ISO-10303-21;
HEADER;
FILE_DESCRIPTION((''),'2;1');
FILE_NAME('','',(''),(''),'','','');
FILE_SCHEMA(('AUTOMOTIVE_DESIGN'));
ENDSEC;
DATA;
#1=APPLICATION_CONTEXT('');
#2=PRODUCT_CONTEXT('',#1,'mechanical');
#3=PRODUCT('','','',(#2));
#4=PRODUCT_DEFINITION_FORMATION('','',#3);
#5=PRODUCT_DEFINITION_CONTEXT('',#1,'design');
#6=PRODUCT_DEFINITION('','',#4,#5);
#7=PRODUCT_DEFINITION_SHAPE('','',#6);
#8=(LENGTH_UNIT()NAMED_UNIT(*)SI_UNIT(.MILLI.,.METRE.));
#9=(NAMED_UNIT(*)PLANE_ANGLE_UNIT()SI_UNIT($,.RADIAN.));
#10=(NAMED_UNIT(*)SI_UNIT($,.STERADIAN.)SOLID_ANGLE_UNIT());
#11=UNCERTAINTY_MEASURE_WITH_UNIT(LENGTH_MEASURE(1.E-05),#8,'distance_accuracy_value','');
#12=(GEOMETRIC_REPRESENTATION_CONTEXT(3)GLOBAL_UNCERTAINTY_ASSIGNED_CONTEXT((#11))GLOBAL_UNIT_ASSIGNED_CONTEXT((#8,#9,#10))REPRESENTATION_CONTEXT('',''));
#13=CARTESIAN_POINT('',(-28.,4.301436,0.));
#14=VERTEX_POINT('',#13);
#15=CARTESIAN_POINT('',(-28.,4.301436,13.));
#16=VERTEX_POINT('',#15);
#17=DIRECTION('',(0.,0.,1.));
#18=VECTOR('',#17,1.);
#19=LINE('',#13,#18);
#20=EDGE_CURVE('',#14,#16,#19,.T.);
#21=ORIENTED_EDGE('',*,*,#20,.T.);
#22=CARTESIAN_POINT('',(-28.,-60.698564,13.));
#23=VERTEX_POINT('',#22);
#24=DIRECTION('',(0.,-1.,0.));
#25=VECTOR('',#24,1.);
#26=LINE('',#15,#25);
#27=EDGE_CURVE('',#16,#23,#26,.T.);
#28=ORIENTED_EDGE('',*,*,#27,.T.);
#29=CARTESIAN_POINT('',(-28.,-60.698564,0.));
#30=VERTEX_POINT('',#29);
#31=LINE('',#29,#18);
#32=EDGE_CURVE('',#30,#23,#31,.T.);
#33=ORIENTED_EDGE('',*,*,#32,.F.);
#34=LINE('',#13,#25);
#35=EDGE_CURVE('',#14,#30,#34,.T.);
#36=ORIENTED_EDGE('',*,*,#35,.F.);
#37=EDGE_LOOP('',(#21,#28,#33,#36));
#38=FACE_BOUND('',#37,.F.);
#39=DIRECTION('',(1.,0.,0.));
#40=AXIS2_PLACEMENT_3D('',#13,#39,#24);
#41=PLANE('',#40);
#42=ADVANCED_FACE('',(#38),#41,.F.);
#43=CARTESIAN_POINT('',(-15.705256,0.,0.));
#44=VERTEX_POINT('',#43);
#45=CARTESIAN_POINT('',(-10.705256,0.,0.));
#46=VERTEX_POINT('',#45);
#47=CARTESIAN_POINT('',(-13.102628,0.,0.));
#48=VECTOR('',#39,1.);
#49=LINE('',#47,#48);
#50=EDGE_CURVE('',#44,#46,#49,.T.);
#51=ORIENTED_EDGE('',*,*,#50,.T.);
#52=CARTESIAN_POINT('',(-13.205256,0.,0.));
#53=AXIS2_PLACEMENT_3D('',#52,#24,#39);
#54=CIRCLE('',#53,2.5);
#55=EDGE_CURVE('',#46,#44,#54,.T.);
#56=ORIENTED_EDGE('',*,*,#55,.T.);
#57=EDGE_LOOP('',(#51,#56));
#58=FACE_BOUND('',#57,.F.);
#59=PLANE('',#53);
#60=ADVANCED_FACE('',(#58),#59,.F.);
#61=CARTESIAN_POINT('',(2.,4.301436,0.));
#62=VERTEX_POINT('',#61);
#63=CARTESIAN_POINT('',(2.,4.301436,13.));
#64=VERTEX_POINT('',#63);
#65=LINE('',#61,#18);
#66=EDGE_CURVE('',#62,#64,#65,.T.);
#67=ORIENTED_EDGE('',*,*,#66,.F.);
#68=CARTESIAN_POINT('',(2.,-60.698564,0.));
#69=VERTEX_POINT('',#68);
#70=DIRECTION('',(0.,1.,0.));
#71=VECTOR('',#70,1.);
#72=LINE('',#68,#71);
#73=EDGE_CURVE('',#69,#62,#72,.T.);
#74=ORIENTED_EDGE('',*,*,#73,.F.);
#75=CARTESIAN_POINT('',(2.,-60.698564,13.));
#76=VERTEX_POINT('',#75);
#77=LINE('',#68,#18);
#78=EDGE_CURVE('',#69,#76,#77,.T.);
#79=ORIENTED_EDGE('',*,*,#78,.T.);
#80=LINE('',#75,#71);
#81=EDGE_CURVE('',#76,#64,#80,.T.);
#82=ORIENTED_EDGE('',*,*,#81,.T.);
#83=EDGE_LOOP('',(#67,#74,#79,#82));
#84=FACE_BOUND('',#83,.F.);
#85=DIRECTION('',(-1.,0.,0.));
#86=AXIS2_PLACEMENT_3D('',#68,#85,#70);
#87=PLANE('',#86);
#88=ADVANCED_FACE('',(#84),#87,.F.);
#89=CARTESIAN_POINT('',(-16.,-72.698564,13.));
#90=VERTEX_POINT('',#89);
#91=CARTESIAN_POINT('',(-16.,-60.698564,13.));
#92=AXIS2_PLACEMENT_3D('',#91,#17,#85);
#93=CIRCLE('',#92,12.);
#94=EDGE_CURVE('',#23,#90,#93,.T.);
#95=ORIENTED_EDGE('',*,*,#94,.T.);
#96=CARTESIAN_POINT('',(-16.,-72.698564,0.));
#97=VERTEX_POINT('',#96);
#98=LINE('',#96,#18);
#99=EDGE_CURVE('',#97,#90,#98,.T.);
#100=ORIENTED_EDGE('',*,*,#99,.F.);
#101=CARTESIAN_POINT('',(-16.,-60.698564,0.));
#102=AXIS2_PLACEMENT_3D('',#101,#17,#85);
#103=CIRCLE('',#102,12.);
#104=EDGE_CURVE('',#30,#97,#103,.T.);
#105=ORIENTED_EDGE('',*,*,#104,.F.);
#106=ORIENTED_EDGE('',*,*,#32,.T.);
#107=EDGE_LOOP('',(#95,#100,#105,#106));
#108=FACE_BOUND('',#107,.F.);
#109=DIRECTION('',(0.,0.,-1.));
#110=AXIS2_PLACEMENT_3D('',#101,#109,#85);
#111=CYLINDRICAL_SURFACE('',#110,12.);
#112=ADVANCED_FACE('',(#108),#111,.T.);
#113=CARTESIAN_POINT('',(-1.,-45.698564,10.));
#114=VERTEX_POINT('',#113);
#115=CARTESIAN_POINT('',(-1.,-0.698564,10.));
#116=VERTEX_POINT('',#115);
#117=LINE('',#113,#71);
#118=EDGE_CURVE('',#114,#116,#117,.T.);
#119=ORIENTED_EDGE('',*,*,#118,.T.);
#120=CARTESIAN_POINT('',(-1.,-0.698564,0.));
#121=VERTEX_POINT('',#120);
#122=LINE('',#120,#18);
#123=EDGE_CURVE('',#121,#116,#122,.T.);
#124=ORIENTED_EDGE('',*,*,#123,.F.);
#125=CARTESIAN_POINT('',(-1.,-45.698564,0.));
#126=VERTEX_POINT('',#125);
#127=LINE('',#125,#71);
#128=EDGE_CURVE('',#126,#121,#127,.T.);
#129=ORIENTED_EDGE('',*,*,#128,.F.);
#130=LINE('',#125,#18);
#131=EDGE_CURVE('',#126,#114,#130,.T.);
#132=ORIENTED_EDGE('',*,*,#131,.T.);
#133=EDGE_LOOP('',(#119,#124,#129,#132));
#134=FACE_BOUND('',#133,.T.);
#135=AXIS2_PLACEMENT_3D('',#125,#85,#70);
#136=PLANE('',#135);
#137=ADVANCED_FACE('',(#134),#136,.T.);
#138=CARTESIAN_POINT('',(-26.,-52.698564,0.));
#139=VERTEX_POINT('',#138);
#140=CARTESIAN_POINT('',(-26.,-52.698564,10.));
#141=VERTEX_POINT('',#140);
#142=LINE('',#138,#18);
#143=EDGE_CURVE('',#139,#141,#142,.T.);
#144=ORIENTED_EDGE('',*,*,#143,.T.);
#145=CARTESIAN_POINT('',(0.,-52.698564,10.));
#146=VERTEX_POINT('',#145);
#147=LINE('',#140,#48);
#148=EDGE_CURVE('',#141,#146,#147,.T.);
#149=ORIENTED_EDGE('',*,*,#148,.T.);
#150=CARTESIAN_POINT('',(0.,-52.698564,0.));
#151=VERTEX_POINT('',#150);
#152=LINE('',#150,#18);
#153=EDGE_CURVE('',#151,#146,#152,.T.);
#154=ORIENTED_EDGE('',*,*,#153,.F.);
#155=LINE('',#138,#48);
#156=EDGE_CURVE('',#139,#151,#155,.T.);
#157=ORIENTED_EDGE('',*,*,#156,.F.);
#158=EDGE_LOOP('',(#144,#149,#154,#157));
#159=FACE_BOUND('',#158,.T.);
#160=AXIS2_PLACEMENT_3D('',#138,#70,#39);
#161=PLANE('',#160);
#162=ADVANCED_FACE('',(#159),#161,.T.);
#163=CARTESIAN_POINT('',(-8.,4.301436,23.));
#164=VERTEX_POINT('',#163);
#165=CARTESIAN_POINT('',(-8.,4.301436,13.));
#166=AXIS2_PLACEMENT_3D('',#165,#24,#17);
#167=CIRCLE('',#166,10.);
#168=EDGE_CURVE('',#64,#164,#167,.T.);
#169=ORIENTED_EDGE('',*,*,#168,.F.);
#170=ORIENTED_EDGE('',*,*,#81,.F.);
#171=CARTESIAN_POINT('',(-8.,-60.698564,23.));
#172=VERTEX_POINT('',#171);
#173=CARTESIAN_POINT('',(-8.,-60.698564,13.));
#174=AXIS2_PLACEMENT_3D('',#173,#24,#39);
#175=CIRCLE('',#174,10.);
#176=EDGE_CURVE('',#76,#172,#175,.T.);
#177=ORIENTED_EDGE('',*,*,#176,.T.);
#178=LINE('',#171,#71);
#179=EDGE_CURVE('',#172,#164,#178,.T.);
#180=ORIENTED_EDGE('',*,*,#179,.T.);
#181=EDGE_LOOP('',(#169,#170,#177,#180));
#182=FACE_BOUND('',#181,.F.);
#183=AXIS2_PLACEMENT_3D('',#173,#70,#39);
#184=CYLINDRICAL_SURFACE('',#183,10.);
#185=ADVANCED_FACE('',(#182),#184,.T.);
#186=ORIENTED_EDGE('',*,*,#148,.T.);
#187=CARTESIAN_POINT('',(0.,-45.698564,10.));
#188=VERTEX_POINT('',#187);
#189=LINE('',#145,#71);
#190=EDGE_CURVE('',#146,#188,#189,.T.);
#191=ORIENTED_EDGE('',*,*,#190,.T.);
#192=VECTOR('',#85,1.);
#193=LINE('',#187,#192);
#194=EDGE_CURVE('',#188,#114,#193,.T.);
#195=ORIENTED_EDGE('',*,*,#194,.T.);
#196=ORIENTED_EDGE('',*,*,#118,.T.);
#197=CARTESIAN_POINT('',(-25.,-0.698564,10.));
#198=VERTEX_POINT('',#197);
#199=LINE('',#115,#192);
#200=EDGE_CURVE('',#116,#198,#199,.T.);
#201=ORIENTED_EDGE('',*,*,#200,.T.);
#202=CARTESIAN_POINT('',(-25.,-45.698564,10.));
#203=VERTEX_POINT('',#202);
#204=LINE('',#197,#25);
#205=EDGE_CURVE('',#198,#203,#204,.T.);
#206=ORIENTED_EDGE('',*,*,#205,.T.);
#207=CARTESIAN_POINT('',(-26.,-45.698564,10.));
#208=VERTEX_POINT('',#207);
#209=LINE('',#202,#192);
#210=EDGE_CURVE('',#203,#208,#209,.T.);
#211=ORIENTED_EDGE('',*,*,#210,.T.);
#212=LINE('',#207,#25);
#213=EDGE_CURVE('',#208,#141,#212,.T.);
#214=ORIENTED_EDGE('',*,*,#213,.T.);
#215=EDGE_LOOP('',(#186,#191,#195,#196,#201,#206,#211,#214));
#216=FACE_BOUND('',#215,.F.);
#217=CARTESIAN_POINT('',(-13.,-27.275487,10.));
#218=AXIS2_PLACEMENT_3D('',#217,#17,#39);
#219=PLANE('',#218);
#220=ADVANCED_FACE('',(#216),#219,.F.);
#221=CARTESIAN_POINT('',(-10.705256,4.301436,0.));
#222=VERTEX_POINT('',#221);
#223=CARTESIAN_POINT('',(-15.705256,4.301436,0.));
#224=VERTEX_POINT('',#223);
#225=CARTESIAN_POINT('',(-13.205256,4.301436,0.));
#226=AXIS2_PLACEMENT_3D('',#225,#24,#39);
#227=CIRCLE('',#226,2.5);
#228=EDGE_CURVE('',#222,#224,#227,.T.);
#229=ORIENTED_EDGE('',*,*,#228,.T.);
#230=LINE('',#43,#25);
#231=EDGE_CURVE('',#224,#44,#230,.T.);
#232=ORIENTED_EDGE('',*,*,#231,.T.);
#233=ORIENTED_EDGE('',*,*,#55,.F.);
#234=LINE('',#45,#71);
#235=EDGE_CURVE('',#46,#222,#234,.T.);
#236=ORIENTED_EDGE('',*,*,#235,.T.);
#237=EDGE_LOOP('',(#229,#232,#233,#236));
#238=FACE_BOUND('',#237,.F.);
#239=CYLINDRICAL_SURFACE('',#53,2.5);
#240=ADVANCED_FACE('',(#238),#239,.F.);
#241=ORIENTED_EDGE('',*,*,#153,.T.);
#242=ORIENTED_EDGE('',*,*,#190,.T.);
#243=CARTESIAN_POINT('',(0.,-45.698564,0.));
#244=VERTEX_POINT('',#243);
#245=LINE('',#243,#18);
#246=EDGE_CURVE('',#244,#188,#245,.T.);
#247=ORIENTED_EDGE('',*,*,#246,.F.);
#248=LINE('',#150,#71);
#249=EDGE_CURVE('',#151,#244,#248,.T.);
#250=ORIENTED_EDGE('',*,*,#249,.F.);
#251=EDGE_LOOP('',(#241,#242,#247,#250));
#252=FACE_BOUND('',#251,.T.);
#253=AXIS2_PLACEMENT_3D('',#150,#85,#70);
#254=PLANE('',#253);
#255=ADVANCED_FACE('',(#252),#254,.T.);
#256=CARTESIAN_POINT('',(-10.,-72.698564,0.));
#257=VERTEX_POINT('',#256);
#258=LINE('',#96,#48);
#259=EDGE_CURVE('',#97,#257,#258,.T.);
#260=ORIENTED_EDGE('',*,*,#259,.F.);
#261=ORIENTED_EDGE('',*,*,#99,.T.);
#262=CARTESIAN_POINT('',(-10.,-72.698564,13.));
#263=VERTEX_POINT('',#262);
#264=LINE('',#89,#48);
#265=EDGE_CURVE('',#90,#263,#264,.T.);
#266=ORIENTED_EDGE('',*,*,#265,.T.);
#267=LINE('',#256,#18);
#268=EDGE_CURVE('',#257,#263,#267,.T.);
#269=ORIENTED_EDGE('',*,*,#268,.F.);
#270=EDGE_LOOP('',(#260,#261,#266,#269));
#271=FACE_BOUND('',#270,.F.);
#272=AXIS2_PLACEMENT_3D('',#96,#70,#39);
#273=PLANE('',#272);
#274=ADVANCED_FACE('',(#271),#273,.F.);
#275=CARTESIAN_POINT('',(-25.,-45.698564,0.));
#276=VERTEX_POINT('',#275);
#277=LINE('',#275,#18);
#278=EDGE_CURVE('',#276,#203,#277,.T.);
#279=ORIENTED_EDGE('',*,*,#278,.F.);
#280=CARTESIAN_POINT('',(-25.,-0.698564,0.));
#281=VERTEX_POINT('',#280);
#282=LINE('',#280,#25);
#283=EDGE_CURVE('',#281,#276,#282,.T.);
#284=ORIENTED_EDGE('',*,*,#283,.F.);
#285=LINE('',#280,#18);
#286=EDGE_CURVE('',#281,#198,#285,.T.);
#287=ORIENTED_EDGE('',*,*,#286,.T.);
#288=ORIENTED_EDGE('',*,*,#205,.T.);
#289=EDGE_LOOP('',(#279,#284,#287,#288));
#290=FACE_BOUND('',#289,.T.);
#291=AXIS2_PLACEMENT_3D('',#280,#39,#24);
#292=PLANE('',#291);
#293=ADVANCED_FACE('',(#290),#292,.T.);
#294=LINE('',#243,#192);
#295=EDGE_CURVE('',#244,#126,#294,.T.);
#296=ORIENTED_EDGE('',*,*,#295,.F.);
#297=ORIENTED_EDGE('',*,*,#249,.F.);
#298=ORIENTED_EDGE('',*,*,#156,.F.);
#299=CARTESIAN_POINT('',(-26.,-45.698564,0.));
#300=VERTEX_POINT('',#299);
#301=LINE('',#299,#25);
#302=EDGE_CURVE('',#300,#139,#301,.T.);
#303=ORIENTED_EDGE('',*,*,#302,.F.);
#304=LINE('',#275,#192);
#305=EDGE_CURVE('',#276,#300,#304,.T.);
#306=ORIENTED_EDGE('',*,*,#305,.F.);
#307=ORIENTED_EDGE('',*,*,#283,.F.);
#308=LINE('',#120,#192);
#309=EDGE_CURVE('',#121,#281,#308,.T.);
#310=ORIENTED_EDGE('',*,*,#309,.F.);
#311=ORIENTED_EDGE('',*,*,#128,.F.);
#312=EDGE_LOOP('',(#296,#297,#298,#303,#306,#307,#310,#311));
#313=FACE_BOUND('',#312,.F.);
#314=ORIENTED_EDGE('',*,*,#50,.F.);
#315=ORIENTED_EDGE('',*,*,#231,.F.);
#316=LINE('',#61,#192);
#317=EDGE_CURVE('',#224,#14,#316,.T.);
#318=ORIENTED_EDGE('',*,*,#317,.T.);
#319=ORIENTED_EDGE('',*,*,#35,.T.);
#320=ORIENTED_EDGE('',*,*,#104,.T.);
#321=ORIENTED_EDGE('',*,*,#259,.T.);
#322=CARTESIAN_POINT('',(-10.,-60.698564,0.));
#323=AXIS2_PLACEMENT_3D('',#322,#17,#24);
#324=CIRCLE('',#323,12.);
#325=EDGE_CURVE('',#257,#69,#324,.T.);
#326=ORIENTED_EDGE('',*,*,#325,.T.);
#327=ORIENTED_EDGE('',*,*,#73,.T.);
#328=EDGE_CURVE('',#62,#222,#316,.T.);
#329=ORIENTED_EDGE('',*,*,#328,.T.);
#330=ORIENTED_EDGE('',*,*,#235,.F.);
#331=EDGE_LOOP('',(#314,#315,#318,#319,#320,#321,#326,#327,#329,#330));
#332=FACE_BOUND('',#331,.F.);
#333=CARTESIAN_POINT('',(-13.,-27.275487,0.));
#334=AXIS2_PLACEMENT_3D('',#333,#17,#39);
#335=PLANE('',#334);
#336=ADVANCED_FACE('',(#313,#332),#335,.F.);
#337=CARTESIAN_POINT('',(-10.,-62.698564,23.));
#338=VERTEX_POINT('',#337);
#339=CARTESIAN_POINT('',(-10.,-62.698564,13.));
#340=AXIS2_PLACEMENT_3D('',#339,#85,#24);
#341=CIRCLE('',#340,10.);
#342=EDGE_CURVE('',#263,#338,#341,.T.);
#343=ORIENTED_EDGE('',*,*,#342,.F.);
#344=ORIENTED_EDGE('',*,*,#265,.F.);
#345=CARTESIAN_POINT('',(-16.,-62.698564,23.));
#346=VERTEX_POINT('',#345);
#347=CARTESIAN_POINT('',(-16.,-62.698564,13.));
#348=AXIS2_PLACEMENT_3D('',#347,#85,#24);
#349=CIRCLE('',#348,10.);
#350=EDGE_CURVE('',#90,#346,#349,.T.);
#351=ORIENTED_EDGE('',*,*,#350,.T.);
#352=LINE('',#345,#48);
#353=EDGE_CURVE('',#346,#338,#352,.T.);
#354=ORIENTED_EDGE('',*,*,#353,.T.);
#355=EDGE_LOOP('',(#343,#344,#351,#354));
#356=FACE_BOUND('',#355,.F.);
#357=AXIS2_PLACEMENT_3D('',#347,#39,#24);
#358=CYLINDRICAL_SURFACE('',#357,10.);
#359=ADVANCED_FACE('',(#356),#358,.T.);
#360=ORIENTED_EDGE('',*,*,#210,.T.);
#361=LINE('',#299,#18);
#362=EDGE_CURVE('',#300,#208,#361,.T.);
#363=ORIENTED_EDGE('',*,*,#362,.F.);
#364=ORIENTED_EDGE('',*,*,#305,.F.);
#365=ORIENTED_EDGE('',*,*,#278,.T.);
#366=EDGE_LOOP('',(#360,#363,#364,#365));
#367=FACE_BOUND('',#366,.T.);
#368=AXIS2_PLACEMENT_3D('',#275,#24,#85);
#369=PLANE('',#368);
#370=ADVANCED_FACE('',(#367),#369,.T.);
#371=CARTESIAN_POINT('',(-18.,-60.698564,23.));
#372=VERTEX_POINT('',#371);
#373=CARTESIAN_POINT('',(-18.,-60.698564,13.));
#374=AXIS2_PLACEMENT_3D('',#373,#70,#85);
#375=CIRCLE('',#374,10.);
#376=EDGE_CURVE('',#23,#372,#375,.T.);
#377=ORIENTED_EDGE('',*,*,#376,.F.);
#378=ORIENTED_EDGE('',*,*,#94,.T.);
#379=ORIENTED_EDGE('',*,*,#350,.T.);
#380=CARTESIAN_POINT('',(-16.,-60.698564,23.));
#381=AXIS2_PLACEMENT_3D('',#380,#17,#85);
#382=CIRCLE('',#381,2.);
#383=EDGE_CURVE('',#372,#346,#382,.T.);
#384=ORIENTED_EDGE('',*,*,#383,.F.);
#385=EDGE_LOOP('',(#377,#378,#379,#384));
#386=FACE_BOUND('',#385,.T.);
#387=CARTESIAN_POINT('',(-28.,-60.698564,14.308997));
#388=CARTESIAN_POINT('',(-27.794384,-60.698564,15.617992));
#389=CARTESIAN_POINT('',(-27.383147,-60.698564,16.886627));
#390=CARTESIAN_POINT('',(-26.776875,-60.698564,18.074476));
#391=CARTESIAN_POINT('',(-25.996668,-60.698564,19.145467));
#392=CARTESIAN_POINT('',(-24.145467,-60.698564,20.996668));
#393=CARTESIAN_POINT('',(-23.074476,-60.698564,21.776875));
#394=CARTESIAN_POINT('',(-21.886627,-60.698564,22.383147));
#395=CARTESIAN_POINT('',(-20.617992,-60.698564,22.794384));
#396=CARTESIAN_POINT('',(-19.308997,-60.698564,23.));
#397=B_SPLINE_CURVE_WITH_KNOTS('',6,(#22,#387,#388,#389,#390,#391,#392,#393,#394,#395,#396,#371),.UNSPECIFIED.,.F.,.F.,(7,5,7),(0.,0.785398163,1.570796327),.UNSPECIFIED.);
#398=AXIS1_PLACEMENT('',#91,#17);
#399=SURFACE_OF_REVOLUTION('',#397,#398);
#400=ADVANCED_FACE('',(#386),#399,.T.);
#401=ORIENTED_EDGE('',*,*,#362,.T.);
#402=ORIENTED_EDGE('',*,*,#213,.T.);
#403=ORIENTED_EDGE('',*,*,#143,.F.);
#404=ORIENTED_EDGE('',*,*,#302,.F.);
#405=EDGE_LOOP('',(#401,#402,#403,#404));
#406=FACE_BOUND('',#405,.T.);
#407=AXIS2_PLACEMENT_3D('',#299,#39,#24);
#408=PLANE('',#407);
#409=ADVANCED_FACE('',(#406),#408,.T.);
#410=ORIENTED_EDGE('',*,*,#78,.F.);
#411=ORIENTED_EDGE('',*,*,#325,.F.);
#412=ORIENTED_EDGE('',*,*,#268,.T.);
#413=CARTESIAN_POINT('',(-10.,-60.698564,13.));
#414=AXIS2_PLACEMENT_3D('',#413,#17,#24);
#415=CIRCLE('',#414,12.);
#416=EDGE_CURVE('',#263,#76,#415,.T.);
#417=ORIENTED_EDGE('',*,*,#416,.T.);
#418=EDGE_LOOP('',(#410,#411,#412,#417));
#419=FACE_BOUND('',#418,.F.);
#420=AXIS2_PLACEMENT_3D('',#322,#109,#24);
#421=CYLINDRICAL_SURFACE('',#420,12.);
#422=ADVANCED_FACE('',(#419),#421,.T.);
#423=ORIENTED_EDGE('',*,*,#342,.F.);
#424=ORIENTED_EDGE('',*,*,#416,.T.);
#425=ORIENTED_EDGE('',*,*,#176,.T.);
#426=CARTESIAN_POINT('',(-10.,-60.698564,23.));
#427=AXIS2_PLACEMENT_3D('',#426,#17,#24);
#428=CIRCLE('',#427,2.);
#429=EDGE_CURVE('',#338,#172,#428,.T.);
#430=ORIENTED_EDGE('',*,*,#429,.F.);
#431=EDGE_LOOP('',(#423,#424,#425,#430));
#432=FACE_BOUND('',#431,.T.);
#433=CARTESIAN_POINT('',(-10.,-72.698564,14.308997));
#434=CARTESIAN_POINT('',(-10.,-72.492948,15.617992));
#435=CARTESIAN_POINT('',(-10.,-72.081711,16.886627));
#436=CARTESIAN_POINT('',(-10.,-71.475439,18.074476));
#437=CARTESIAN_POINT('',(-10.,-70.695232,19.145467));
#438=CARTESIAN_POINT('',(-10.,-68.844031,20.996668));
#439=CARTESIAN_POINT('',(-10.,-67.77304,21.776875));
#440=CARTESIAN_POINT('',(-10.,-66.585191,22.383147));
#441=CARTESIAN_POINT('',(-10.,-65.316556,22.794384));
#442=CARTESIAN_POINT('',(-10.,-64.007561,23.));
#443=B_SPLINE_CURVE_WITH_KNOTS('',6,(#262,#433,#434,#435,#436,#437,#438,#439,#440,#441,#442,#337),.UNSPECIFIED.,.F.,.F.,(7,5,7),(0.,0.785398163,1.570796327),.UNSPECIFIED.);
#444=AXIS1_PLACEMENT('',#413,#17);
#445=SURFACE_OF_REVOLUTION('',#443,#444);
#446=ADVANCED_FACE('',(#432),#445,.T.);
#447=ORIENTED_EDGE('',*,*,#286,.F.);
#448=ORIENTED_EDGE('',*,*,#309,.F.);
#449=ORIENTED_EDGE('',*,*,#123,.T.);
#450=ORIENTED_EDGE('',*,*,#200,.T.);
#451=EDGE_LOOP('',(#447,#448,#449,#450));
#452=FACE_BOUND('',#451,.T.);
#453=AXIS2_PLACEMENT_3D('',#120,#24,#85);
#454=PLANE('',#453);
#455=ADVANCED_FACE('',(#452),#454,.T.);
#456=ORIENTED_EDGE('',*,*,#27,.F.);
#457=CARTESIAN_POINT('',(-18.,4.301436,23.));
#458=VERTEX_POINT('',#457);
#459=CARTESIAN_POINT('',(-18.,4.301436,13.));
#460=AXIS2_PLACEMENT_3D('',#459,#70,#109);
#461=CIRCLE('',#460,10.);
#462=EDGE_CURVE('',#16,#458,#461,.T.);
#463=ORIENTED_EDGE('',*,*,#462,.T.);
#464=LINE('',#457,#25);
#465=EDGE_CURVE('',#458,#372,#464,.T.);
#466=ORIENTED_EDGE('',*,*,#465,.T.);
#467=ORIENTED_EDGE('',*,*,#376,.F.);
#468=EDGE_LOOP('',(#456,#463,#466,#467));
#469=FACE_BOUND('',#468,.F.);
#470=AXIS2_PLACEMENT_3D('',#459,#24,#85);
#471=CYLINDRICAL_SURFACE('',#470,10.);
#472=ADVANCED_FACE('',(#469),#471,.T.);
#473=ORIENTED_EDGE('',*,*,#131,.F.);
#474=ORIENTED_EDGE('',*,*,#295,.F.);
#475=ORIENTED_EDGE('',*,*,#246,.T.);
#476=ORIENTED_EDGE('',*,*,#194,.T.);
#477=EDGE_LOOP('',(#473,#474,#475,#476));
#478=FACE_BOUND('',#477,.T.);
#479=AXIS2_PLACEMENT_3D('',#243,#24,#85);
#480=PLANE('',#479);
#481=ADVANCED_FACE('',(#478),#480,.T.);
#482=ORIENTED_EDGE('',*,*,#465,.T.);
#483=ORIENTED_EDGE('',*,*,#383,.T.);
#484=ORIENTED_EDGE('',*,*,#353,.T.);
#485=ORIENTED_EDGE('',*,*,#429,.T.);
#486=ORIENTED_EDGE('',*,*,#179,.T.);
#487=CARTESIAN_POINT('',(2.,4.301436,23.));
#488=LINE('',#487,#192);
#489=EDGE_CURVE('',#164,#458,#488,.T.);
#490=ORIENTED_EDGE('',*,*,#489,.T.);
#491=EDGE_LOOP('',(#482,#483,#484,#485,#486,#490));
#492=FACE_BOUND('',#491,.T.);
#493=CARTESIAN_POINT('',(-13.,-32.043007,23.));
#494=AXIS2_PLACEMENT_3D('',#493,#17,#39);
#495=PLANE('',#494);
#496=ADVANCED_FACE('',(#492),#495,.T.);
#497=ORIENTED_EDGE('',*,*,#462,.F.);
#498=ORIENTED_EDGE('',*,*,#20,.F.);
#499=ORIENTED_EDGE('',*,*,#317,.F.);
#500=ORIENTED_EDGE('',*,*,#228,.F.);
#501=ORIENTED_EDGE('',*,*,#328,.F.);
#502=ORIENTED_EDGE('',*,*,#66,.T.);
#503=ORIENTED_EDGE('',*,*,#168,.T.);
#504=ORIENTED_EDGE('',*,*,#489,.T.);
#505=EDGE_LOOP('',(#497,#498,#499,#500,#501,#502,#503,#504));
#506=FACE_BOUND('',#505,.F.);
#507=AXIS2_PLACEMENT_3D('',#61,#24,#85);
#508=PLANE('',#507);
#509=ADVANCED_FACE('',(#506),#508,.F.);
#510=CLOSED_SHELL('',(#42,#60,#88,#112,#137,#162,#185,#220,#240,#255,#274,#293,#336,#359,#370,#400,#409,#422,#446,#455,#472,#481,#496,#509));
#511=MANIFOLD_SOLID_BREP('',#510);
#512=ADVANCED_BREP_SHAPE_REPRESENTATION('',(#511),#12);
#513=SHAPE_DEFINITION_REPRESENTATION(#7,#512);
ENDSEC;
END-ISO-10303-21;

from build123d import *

# Parameters (mm, degrees)
F1_DEPTH = 23
F2_DEPTH = 23
F3_DEPTH = 10
F4_R     = 10
F6_D     = 5
F6_DEPTH = 4.3024359474


with BuildPart() as f1:
    # F0 (on Top) → F1 (new body)
    with BuildSketch(Plane.XY):
        with BuildLine():
            ThreePointArc((-10, -72.6985640526), (-1.5147186258, -69.1838454268), (2, -60.6985640526))
            Line((2, -60.6985640526), (2, 4.3014359474))
            Line((2, 4.3014359474), (-28, 4.3014359474))
            Line((-28, 4.3014359474), (-28, -60.6985640526))
            ThreePointArc((-28, -60.6985640526), (-24.4852813742, -69.1838454268), (-16, -72.6985640526))
            Line((-16, -72.6985640526), (-10, -72.6985640526))
        make_face()
        Polygon((-25, -45.6985640526), (-25, -0.6985640526), (-1, -0.6985640526), (-1, -45.6985640526), (0, -45.6985640526), (0, -52.6985640526), (-26, -52.6985640526), (-26, -45.6985640526), align=None, mode=Mode.SUBTRACT)
    extrude(amount=F1_DEPTH)

    # F0 (on Top) → F2 (join)
    with BuildSketch(Plane.XY):
        Polygon((-1, -0.6985640526), (-25, -0.6985640526), (-25, -45.6985640526), (-26, -45.6985640526), (-26, -52.6985640526), (0, -52.6985640526), (0, -45.6985640526), (-1, -45.6985640526), align=None)
    extrude(amount=F2_DEPTH)

    # F0 (on Top) → F3 (cut)
    with BuildSketch(Plane.XY):
        Polygon((-1, -0.6985640526), (-25, -0.6985640526), (-25, -45.6985640526), (-26, -45.6985640526), (-26, -52.6985640526), (0, -52.6985640526), (0, -45.6985640526), (-1, -45.6985640526), align=None)
    extrude(amount=F3_DEPTH, mode=Mode.SUBTRACT)

    # F4
    f4_edges = [f1.edges().sort_by_distance(p)[0] for p in [
        (-28, -28.198564, 23),
    ]]
    fillet(f4_edges, radius=F4_R)

    # F6 (through all, one way)
    with BuildSketch(Plane.XZ):
        with Locations((-13.2052563131, 0)):
            Circle(F6_D / 2)
    extrude(amount=-F6_DEPTH, mode=Mode.SUBTRACT)


solid = f1.part
